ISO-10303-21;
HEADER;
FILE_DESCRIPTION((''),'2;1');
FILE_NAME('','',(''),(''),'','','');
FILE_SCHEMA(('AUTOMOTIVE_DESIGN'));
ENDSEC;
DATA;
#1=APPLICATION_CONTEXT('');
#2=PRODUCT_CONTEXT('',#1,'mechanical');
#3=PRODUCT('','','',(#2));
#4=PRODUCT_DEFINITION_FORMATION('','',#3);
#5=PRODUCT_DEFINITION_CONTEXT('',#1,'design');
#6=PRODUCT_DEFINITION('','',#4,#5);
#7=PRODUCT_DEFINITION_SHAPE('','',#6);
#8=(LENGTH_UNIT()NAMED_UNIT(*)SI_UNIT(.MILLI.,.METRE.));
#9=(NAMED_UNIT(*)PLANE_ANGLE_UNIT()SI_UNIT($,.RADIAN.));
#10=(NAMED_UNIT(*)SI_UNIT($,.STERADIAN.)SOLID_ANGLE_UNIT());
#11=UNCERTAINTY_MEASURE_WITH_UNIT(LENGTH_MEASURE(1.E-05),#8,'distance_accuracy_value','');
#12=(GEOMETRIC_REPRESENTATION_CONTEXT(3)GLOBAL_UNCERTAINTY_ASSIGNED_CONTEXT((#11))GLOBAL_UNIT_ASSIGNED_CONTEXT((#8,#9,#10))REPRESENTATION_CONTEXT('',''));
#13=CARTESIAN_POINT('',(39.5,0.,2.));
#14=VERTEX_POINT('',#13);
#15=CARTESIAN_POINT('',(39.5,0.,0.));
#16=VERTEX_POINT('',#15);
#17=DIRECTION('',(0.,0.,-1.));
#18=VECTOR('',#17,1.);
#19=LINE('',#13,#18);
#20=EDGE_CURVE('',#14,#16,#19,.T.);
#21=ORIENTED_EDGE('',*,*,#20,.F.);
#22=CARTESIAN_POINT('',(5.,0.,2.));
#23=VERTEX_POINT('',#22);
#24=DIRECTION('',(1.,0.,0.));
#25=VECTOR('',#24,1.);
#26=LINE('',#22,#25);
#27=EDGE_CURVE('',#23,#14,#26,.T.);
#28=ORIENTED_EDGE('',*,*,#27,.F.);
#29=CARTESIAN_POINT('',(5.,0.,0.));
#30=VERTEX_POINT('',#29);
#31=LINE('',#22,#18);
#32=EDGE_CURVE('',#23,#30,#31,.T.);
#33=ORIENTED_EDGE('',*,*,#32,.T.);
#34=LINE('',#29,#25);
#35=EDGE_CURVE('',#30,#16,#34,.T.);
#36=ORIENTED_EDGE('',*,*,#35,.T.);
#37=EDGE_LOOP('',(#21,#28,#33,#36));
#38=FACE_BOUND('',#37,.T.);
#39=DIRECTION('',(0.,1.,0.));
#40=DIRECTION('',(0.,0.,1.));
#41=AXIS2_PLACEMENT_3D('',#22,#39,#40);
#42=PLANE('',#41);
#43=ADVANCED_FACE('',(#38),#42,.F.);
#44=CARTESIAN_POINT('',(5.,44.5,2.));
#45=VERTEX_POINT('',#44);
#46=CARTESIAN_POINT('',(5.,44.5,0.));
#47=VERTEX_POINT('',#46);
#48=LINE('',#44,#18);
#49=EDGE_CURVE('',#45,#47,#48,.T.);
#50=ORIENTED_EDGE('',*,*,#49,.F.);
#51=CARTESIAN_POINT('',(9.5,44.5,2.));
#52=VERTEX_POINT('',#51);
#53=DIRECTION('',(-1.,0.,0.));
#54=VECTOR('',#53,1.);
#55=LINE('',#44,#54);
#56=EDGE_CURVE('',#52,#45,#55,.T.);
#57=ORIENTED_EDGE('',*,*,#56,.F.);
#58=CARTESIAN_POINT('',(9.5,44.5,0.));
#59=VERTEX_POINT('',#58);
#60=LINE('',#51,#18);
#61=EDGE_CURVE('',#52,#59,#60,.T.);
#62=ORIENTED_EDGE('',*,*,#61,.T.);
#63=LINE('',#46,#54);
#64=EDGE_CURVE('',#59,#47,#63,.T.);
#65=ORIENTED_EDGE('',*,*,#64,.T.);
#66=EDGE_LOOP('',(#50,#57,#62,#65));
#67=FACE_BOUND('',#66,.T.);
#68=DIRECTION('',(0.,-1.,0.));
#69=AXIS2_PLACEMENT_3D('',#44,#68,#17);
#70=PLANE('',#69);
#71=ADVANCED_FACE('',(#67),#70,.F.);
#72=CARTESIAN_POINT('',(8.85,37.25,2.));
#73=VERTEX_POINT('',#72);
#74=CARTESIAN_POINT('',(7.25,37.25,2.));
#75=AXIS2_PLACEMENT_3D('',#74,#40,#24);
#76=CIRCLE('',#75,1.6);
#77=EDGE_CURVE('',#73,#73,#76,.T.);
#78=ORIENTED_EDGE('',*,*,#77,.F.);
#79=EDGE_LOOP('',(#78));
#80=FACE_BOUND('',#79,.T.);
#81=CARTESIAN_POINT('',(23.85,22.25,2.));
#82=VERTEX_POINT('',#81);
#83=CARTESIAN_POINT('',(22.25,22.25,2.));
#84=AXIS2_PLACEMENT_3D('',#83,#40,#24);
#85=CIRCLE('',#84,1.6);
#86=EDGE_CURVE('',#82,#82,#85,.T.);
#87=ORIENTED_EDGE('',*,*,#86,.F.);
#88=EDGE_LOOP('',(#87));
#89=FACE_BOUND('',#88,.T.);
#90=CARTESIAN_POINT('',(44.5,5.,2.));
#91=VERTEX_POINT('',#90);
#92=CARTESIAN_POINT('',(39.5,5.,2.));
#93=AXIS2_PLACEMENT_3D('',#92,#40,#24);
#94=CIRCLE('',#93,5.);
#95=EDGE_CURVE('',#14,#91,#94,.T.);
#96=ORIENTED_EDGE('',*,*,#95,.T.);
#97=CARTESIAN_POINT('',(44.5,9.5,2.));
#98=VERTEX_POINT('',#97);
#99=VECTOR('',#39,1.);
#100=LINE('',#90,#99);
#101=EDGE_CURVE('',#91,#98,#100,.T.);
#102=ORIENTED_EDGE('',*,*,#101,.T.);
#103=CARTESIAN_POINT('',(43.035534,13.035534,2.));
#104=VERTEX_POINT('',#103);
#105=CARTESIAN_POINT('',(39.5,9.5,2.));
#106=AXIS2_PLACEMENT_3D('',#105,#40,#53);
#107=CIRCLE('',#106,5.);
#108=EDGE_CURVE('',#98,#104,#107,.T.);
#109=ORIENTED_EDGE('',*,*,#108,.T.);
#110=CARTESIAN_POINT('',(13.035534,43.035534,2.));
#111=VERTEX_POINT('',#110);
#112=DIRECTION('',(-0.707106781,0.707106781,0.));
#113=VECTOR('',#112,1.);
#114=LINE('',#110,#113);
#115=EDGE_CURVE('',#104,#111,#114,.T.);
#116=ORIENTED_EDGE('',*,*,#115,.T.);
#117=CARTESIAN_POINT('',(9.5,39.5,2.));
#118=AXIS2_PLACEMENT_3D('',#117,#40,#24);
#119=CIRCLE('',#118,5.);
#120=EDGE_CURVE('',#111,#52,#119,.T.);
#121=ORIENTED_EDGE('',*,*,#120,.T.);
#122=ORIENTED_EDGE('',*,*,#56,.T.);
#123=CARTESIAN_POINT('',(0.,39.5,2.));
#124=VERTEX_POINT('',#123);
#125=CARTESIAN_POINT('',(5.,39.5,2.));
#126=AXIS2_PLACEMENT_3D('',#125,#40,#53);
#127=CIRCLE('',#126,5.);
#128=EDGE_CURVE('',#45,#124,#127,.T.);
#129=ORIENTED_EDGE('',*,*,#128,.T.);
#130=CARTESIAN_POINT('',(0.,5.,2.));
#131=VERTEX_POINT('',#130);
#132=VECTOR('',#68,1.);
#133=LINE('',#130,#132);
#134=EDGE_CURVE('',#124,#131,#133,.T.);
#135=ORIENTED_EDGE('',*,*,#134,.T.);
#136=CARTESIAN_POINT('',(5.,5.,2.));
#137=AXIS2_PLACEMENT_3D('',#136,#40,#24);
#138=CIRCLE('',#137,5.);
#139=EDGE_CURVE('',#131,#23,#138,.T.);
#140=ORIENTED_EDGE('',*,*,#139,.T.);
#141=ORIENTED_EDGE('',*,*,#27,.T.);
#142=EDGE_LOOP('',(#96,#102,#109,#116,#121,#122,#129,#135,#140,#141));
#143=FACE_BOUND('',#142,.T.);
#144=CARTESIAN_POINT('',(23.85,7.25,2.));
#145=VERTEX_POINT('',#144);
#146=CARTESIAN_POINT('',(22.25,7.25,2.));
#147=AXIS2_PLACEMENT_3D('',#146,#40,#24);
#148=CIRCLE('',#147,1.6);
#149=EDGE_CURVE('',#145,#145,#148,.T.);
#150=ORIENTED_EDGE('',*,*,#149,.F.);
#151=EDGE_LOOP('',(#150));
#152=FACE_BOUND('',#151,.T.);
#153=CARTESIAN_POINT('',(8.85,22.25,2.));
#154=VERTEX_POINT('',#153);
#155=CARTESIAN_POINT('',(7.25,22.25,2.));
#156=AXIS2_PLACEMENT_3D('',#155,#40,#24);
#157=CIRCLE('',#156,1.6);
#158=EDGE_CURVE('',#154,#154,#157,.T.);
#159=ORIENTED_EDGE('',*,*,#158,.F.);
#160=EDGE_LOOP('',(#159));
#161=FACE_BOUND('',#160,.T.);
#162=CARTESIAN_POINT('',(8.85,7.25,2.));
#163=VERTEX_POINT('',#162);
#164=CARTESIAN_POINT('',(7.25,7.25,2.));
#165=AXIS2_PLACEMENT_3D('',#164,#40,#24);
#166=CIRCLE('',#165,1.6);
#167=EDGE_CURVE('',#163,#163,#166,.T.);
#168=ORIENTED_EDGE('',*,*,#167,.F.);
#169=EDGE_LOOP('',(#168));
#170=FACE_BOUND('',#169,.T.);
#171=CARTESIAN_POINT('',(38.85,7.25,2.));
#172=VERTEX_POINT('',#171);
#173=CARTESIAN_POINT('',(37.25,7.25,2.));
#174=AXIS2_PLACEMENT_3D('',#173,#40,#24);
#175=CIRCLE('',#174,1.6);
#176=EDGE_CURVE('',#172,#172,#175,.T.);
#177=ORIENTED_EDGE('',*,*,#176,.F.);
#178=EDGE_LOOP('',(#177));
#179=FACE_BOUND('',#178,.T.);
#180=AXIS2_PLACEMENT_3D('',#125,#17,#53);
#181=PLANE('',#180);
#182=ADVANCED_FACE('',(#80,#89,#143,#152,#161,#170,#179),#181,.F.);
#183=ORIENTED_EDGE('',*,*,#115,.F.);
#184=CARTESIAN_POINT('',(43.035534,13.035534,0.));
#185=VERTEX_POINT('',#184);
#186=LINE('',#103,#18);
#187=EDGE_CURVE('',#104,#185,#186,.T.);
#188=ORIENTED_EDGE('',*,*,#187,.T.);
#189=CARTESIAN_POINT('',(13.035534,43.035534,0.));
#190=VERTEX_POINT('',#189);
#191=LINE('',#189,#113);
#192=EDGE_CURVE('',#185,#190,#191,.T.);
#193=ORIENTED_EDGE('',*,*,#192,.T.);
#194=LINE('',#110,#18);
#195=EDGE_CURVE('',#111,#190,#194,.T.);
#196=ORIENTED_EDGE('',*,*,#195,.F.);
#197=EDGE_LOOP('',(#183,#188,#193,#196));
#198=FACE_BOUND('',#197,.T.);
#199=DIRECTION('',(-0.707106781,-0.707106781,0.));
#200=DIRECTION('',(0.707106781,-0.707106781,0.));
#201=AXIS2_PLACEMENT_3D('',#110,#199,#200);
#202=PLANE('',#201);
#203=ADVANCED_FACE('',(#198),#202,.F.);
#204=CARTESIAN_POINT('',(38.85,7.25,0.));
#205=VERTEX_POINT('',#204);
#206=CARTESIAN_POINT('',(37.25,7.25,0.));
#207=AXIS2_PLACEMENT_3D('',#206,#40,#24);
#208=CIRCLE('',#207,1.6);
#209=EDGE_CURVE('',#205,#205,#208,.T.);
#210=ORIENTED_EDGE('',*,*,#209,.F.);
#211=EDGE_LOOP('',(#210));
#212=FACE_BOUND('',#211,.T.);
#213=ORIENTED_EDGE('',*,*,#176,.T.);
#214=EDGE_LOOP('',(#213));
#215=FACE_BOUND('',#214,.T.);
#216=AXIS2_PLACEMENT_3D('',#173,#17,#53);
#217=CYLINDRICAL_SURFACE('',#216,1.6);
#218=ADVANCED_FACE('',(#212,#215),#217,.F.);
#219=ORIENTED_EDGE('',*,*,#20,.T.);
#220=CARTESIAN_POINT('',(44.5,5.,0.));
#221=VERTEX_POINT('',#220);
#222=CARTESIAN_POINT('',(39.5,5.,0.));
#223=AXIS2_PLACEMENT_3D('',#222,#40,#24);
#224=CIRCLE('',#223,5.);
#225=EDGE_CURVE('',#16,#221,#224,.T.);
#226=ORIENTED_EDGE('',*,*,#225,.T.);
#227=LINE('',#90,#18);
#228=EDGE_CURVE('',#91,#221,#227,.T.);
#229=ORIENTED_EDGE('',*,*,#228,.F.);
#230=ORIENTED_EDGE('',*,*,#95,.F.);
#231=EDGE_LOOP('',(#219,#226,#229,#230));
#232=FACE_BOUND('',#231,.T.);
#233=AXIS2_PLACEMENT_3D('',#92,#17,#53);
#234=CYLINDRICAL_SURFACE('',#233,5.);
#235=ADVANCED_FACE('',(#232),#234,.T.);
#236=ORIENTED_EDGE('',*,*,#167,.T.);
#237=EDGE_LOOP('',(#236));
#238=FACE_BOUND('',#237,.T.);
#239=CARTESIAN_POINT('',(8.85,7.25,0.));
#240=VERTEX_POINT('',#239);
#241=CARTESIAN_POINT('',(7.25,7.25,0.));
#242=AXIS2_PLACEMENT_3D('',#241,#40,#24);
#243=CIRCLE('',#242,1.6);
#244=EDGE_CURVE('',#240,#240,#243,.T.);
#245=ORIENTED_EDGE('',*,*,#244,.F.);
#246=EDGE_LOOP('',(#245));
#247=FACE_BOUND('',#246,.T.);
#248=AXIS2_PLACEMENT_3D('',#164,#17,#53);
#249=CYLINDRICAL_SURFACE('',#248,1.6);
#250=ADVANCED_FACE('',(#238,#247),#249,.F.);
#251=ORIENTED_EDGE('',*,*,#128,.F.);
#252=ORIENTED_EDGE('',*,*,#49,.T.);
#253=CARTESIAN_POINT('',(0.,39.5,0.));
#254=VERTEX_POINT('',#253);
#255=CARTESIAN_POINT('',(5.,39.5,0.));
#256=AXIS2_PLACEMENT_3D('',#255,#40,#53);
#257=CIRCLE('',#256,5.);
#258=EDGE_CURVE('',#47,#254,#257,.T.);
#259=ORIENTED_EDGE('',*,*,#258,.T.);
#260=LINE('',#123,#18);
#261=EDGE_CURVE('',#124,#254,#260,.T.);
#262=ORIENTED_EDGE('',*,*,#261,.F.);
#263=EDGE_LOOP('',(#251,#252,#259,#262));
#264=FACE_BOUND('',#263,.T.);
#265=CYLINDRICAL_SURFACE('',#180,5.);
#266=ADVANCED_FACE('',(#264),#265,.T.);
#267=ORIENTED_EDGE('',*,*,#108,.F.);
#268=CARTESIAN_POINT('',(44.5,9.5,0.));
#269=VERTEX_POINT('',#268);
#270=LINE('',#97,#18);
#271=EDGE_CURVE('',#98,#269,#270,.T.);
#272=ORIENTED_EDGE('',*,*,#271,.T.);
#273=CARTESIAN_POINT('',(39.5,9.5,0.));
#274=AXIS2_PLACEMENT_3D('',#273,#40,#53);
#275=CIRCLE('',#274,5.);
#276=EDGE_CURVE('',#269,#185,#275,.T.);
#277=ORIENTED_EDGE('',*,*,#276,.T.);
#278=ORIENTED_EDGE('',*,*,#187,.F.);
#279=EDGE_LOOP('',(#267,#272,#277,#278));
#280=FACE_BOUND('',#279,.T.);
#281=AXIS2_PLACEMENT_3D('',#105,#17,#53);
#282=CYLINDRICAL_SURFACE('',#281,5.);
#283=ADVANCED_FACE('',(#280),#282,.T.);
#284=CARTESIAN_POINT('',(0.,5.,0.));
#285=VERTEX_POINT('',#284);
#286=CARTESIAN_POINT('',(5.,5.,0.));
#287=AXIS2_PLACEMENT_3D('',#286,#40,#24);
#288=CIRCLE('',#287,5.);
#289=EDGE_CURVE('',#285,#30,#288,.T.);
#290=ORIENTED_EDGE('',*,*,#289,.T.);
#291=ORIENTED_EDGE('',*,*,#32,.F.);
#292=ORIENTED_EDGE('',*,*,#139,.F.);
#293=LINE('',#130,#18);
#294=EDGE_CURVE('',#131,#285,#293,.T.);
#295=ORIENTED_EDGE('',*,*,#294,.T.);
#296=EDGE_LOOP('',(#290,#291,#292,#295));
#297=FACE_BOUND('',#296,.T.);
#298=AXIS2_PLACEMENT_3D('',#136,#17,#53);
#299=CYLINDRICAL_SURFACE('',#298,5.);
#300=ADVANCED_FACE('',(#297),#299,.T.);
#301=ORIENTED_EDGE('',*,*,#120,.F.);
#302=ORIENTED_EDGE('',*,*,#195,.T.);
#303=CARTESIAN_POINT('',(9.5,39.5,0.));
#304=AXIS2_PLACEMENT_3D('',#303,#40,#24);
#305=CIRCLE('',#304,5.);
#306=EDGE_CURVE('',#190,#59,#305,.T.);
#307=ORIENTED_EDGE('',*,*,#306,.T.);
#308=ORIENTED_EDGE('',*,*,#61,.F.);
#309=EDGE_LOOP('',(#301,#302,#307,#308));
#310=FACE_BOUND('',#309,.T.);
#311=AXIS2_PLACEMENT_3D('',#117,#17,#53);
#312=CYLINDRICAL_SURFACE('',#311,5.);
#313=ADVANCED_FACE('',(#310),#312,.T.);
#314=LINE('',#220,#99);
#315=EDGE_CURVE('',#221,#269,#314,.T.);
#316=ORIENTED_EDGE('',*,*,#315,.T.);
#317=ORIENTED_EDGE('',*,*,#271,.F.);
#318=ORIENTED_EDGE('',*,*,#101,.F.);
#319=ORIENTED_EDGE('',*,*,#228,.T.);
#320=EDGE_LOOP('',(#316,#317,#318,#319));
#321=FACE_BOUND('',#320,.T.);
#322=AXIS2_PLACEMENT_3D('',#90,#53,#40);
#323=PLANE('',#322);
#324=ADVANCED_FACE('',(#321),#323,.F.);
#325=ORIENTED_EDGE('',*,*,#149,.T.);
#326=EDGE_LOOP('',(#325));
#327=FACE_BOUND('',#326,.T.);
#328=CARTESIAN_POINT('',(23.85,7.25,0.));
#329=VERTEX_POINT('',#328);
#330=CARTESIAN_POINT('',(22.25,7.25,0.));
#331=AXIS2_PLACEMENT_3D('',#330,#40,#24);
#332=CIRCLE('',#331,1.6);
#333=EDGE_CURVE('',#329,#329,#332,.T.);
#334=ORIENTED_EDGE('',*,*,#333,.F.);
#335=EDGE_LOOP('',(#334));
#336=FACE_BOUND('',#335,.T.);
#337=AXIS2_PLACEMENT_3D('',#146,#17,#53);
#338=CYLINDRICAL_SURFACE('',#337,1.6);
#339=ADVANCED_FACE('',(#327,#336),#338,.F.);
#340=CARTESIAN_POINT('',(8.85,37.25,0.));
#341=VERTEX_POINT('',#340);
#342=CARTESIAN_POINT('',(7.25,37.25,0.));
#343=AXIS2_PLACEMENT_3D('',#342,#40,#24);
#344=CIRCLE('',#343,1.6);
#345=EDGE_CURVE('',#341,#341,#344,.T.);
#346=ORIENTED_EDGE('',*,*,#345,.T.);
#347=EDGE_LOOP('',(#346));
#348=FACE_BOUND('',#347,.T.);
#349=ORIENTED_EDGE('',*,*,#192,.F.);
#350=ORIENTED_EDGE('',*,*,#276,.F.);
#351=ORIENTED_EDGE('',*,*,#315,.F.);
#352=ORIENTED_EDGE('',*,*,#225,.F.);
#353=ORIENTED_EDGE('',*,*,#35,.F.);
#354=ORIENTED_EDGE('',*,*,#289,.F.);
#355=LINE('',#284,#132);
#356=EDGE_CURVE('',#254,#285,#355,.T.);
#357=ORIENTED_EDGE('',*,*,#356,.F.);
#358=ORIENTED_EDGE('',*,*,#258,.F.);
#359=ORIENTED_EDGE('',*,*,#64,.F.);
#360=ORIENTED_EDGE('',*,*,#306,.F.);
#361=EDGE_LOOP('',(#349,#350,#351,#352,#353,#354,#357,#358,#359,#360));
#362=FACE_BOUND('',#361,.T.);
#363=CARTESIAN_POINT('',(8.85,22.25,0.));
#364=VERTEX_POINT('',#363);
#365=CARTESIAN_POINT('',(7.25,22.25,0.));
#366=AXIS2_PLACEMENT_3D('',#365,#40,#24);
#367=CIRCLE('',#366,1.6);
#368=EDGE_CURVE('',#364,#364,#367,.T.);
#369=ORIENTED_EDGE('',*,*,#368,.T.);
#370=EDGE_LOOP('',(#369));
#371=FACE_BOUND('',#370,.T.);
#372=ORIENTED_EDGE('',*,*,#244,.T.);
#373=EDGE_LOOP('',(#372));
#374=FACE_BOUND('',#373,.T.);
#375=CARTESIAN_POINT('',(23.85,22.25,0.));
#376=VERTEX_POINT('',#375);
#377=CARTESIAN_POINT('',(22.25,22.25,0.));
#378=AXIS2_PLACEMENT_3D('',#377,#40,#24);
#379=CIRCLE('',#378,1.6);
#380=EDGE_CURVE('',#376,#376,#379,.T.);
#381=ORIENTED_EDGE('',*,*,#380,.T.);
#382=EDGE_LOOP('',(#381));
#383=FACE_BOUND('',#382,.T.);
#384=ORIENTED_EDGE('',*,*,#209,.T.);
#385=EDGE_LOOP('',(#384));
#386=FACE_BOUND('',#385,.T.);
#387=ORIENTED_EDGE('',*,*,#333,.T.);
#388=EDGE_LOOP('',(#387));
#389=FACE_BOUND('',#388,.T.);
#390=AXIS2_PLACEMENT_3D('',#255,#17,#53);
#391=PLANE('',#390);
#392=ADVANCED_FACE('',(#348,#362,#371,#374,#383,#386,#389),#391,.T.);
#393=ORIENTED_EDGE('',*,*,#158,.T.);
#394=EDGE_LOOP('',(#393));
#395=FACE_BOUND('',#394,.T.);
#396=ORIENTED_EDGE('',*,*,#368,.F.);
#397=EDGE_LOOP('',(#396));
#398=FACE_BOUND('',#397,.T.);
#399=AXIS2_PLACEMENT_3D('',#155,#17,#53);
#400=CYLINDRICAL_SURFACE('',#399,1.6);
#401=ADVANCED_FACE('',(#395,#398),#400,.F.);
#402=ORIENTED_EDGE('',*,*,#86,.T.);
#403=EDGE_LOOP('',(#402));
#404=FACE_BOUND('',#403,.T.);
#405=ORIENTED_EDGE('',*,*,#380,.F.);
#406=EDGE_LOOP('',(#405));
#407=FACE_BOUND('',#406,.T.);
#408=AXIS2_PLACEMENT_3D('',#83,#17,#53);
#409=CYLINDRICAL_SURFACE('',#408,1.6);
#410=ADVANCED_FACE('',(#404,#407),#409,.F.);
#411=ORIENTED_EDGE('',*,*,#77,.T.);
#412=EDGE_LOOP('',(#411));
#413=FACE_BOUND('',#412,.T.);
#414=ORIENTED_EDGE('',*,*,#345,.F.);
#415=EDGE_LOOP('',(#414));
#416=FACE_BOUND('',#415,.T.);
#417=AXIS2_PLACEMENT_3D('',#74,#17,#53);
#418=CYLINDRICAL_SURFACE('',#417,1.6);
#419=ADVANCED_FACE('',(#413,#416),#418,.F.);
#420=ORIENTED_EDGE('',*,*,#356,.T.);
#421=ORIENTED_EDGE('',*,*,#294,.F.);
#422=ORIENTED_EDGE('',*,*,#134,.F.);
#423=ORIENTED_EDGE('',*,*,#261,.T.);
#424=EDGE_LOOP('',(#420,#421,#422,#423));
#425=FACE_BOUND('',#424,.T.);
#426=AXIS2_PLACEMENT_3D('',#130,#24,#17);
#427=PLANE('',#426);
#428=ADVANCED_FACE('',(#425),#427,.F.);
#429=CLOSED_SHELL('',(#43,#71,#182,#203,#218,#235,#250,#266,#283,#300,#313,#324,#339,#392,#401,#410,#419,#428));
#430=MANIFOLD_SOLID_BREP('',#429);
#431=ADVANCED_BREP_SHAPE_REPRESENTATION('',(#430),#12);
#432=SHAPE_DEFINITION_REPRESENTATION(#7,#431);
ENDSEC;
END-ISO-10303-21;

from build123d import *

# Parameters (mm, degrees)
SKETCH1_R           = 1.6
BOSS_EXTRUDE1_DEPTH = 2


with BuildPart() as part:
    # Sketch1 → Boss-Extrude1 (new body)
    with BuildSketch(Plane.XY):
        with BuildLine():
            Line((13.035533906, 43.035533906), (43.035533906, 13.035533906))
            ThreePointArc((43.035533906, 13.035533906), (44.119397663, 11.413417162), (44.5, 9.5))
            Line((44.5, 9.5), (44.5, 5))
            ThreePointArc((44.5, 5), (43.035533906, 1.464466094), (39.5, 0))
            Line((39.5, 0), (5, 0))
            ThreePointArc((5, 0), (1.464466094, 1.464466094), (0, 5))
            Line((0, 5), (0, 39.5))
            ThreePointArc((0, 39.5), (1.464466094, 43.035533906), (5, 44.5))
            Line((5, 44.5), (9.5, 44.5))
            ThreePointArc((9.5, 44.5), (11.413417162, 44.119397663), (13.035533906, 43.035533906))
        make_face()
        with Locations((7.25, 7.25)):
            Circle(SKETCH1_R, mode=Mode.SUBTRACT)
        with Locations((7.25, 22.25)):
            Circle(SKETCH1_R, mode=Mode.SUBTRACT)
        with Locations((7.25, 37.25)):
            Circle(SKETCH1_R, mode=Mode.SUBTRACT)
        with Locations((22.25, 7.25)):
            Circle(SKETCH1_R, mode=Mode.SUBTRACT)
        with Locations((37.25, 7.25)):
            Circle(SKETCH1_R, mode=Mode.SUBTRACT)
        with Locations((22.25, 22.25)):
            Circle(SKETCH1_R, mode=Mode.SUBTRACT)
    extrude(amount=BOSS_EXTRUDE1_DEPTH)


solid = part.part
